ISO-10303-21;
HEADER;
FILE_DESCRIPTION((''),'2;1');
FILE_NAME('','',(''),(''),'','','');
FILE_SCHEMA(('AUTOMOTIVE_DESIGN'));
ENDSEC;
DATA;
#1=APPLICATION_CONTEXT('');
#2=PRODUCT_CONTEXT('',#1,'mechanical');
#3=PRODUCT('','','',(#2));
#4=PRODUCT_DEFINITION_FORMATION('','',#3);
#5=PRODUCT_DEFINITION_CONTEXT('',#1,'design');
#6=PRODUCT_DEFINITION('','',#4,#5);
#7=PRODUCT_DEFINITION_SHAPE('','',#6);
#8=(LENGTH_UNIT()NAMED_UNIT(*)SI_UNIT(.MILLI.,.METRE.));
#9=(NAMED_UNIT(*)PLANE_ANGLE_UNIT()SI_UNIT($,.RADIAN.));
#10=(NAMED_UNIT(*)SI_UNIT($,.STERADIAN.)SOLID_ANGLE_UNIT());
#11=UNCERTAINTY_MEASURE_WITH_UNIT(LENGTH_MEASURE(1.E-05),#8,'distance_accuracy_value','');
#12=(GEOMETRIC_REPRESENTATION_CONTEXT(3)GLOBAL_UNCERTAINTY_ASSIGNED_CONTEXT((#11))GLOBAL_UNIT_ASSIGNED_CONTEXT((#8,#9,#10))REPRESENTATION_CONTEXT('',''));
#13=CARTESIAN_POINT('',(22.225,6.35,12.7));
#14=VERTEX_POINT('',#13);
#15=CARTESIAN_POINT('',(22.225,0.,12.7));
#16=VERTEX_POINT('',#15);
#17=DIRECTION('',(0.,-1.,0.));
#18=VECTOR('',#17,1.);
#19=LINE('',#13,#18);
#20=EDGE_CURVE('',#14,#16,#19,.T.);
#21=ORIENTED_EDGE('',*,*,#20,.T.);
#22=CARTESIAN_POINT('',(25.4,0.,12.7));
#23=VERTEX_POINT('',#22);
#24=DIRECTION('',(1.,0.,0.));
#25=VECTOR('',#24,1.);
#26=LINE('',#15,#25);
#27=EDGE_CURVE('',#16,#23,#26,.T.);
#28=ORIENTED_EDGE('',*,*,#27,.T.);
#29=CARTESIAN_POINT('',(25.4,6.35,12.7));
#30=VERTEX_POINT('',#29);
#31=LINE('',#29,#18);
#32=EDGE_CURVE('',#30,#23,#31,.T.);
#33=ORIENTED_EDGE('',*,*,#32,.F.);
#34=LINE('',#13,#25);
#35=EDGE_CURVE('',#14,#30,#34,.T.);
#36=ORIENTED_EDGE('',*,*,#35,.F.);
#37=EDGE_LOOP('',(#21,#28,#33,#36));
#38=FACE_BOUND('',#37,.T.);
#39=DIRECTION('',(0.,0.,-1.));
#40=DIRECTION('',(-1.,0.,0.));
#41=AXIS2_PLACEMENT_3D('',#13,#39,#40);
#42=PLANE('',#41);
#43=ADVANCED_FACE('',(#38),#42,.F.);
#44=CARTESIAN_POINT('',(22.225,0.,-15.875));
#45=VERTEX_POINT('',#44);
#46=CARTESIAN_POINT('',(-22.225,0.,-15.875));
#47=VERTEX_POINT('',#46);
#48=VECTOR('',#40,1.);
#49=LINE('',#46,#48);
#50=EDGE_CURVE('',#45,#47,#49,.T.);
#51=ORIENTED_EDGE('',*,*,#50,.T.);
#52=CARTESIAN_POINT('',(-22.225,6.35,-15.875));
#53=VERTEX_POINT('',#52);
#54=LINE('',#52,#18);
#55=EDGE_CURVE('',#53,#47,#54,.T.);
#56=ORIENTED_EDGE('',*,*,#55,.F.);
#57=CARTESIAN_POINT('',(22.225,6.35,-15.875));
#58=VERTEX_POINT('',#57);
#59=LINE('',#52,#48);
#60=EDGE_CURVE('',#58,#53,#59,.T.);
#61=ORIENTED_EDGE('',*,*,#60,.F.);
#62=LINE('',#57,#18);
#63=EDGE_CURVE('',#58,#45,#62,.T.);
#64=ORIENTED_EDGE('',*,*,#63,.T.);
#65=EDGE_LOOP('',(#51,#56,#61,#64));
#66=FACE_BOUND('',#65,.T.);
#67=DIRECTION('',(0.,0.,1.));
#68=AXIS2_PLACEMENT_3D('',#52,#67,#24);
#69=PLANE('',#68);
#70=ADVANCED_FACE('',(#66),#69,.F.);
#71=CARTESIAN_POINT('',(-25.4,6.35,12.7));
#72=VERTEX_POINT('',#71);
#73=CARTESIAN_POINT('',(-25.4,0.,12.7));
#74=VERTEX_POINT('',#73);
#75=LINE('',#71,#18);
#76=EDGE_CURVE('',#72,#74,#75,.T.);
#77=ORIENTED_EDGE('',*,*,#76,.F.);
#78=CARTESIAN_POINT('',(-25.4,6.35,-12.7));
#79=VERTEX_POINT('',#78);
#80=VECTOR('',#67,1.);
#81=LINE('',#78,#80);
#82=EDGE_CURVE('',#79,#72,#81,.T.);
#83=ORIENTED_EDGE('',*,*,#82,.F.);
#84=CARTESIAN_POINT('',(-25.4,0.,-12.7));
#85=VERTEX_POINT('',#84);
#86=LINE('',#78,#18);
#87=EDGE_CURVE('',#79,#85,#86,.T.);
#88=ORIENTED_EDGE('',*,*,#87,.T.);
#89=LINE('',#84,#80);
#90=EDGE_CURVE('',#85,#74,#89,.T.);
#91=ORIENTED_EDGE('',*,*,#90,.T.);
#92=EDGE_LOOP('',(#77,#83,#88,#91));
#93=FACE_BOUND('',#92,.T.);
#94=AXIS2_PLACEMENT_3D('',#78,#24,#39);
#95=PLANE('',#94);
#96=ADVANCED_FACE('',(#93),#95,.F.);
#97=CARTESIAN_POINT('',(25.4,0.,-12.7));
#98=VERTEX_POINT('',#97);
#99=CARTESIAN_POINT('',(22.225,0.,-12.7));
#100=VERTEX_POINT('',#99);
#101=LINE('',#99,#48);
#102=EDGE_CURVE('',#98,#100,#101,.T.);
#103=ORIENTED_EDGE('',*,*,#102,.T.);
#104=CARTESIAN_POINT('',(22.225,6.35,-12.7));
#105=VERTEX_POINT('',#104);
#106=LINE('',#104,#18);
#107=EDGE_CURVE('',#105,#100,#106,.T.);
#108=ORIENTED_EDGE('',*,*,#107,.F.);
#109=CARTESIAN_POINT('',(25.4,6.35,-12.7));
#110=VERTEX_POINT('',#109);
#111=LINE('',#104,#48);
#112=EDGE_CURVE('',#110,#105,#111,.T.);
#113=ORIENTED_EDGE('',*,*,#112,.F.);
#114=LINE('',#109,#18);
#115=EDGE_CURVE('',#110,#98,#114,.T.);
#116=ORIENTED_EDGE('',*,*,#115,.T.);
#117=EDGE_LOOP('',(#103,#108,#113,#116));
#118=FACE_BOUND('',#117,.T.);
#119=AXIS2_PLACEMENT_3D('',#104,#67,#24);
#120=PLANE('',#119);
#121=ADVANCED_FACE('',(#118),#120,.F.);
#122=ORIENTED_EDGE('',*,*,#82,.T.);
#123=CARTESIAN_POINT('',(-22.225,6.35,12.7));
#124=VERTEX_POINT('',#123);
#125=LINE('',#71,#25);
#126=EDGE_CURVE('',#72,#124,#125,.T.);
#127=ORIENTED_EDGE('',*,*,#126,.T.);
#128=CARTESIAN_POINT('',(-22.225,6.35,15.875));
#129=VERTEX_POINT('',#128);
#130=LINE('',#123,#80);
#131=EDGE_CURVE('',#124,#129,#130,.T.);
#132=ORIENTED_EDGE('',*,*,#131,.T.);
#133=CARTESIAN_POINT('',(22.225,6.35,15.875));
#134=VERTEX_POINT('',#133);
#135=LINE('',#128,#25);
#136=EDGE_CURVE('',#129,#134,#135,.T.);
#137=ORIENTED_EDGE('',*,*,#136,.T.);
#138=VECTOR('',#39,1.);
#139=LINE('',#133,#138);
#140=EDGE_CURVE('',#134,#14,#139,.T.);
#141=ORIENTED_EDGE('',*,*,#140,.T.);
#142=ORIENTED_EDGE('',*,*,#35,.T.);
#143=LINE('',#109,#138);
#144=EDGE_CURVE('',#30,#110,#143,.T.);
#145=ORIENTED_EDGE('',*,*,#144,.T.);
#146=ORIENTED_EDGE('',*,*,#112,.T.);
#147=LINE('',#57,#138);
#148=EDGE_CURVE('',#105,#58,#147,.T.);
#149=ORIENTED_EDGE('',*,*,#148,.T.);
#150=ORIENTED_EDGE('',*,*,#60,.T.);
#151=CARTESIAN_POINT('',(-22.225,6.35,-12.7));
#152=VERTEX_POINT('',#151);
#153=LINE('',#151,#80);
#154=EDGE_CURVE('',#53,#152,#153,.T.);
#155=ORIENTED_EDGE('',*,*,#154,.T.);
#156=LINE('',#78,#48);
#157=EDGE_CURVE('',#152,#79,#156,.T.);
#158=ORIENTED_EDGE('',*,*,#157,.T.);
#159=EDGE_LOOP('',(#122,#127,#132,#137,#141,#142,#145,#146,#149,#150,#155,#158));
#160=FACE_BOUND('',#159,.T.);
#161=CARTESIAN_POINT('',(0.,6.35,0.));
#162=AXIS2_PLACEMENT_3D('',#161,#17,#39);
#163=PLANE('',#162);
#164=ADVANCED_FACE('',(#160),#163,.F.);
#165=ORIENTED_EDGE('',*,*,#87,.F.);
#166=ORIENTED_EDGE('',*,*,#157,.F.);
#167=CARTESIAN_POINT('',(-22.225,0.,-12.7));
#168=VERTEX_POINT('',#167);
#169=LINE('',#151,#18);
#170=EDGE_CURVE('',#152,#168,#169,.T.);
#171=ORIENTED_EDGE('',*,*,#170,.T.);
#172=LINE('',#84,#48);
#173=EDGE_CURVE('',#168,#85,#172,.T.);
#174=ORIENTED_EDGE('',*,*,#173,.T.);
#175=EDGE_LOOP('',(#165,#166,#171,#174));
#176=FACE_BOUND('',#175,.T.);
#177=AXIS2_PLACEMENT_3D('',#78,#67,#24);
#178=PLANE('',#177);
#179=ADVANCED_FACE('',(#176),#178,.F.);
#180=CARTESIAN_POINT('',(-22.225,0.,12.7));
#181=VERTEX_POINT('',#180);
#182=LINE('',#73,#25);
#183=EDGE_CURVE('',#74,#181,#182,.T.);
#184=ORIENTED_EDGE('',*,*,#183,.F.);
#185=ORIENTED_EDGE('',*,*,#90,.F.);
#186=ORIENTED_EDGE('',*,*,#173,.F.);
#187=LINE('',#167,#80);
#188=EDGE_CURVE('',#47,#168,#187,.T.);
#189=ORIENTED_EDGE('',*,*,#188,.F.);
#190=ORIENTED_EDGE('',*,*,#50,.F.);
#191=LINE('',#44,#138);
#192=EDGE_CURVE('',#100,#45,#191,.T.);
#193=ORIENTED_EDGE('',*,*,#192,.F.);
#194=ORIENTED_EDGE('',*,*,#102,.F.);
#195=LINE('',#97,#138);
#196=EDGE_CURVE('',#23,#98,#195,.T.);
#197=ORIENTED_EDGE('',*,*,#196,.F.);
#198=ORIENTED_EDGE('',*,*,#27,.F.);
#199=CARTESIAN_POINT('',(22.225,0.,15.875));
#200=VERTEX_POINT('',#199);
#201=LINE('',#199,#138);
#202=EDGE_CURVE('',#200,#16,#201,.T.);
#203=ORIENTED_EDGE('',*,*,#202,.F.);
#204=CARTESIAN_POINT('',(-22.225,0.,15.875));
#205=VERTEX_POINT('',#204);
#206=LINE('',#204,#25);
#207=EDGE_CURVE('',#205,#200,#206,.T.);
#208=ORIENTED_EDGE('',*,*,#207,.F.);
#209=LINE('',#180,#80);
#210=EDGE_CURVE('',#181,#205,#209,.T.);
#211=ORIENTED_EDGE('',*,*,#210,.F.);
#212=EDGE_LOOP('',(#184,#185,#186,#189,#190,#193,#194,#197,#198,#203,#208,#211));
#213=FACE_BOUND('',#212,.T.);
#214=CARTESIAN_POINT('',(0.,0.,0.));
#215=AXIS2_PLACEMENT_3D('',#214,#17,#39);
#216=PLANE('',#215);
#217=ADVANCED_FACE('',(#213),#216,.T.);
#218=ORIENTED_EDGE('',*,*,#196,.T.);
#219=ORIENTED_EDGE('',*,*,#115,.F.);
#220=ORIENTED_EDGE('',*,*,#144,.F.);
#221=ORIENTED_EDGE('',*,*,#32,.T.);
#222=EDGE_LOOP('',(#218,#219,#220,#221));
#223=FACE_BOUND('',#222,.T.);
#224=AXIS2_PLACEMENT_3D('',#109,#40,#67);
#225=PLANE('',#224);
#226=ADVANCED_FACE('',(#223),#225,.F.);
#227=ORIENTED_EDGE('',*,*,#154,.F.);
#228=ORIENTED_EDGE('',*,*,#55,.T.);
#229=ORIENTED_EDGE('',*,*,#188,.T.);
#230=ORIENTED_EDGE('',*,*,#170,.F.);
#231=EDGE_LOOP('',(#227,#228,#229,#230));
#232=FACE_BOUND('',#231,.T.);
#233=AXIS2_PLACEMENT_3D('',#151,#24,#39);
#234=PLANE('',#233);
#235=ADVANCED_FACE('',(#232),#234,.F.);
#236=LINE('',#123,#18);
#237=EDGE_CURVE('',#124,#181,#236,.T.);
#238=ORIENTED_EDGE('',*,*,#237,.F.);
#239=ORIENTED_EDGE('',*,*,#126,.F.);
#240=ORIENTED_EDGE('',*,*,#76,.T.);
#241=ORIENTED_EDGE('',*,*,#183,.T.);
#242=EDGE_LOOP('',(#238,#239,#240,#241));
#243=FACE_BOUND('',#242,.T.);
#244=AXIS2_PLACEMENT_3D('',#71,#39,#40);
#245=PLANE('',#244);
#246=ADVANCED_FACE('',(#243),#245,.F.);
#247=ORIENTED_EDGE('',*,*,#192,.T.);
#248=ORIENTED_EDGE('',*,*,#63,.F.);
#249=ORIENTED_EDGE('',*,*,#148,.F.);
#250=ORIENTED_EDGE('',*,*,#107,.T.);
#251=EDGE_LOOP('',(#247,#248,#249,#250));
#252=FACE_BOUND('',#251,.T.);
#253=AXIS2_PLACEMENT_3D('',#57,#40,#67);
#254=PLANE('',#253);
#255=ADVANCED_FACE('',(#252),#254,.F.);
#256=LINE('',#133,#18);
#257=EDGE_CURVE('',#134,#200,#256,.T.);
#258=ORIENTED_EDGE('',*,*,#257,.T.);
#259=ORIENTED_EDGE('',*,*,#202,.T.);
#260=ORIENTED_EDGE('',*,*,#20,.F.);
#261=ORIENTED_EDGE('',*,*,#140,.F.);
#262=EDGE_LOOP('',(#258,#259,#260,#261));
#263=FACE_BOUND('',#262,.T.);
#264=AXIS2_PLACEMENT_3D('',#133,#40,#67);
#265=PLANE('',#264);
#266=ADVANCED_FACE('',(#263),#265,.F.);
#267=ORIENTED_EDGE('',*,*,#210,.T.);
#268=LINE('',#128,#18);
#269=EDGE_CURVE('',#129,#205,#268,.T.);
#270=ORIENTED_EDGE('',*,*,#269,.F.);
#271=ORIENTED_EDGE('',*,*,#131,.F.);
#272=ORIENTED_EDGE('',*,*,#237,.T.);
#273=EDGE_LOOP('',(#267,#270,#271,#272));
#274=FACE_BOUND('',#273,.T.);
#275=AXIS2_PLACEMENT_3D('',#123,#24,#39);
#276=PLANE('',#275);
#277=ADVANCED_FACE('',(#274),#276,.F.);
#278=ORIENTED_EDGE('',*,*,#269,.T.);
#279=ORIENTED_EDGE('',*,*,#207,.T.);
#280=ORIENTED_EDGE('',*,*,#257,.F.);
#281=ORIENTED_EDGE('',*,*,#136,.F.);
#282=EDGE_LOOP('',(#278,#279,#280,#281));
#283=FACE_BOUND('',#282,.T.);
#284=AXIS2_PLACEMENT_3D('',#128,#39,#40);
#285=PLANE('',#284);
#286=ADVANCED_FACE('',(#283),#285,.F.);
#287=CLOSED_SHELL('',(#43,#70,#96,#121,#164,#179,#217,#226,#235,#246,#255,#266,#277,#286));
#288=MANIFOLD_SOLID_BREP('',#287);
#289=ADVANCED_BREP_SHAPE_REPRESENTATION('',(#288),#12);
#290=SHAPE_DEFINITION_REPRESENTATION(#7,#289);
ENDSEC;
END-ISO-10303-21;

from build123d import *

# Parameters (mm, degrees)
BOSS_EXTRUDE1_DEPTH = 6.35


with BuildPart() as part:
    # Sketch2 → Boss-Extrude1 (new body)
    with BuildSketch(Plane(origin=(0, 0, 0), x_dir=(1, 0, 0), z_dir=(0, 1, 0))):
        Polygon((-22.225, 12.7), (-22.225, 15.875), (22.225, 15.875), (22.225, 12.7), (25.4, 12.7), (25.4, -12.7), (22.225, -12.7), (22.225, -15.875), (-22.225, -15.875), (-22.225, -12.7), (-25.4, -12.7), (-25.4, 12.7), align=None)
    extrude(amount=BOSS_EXTRUDE1_DEPTH)


solid = part.part
